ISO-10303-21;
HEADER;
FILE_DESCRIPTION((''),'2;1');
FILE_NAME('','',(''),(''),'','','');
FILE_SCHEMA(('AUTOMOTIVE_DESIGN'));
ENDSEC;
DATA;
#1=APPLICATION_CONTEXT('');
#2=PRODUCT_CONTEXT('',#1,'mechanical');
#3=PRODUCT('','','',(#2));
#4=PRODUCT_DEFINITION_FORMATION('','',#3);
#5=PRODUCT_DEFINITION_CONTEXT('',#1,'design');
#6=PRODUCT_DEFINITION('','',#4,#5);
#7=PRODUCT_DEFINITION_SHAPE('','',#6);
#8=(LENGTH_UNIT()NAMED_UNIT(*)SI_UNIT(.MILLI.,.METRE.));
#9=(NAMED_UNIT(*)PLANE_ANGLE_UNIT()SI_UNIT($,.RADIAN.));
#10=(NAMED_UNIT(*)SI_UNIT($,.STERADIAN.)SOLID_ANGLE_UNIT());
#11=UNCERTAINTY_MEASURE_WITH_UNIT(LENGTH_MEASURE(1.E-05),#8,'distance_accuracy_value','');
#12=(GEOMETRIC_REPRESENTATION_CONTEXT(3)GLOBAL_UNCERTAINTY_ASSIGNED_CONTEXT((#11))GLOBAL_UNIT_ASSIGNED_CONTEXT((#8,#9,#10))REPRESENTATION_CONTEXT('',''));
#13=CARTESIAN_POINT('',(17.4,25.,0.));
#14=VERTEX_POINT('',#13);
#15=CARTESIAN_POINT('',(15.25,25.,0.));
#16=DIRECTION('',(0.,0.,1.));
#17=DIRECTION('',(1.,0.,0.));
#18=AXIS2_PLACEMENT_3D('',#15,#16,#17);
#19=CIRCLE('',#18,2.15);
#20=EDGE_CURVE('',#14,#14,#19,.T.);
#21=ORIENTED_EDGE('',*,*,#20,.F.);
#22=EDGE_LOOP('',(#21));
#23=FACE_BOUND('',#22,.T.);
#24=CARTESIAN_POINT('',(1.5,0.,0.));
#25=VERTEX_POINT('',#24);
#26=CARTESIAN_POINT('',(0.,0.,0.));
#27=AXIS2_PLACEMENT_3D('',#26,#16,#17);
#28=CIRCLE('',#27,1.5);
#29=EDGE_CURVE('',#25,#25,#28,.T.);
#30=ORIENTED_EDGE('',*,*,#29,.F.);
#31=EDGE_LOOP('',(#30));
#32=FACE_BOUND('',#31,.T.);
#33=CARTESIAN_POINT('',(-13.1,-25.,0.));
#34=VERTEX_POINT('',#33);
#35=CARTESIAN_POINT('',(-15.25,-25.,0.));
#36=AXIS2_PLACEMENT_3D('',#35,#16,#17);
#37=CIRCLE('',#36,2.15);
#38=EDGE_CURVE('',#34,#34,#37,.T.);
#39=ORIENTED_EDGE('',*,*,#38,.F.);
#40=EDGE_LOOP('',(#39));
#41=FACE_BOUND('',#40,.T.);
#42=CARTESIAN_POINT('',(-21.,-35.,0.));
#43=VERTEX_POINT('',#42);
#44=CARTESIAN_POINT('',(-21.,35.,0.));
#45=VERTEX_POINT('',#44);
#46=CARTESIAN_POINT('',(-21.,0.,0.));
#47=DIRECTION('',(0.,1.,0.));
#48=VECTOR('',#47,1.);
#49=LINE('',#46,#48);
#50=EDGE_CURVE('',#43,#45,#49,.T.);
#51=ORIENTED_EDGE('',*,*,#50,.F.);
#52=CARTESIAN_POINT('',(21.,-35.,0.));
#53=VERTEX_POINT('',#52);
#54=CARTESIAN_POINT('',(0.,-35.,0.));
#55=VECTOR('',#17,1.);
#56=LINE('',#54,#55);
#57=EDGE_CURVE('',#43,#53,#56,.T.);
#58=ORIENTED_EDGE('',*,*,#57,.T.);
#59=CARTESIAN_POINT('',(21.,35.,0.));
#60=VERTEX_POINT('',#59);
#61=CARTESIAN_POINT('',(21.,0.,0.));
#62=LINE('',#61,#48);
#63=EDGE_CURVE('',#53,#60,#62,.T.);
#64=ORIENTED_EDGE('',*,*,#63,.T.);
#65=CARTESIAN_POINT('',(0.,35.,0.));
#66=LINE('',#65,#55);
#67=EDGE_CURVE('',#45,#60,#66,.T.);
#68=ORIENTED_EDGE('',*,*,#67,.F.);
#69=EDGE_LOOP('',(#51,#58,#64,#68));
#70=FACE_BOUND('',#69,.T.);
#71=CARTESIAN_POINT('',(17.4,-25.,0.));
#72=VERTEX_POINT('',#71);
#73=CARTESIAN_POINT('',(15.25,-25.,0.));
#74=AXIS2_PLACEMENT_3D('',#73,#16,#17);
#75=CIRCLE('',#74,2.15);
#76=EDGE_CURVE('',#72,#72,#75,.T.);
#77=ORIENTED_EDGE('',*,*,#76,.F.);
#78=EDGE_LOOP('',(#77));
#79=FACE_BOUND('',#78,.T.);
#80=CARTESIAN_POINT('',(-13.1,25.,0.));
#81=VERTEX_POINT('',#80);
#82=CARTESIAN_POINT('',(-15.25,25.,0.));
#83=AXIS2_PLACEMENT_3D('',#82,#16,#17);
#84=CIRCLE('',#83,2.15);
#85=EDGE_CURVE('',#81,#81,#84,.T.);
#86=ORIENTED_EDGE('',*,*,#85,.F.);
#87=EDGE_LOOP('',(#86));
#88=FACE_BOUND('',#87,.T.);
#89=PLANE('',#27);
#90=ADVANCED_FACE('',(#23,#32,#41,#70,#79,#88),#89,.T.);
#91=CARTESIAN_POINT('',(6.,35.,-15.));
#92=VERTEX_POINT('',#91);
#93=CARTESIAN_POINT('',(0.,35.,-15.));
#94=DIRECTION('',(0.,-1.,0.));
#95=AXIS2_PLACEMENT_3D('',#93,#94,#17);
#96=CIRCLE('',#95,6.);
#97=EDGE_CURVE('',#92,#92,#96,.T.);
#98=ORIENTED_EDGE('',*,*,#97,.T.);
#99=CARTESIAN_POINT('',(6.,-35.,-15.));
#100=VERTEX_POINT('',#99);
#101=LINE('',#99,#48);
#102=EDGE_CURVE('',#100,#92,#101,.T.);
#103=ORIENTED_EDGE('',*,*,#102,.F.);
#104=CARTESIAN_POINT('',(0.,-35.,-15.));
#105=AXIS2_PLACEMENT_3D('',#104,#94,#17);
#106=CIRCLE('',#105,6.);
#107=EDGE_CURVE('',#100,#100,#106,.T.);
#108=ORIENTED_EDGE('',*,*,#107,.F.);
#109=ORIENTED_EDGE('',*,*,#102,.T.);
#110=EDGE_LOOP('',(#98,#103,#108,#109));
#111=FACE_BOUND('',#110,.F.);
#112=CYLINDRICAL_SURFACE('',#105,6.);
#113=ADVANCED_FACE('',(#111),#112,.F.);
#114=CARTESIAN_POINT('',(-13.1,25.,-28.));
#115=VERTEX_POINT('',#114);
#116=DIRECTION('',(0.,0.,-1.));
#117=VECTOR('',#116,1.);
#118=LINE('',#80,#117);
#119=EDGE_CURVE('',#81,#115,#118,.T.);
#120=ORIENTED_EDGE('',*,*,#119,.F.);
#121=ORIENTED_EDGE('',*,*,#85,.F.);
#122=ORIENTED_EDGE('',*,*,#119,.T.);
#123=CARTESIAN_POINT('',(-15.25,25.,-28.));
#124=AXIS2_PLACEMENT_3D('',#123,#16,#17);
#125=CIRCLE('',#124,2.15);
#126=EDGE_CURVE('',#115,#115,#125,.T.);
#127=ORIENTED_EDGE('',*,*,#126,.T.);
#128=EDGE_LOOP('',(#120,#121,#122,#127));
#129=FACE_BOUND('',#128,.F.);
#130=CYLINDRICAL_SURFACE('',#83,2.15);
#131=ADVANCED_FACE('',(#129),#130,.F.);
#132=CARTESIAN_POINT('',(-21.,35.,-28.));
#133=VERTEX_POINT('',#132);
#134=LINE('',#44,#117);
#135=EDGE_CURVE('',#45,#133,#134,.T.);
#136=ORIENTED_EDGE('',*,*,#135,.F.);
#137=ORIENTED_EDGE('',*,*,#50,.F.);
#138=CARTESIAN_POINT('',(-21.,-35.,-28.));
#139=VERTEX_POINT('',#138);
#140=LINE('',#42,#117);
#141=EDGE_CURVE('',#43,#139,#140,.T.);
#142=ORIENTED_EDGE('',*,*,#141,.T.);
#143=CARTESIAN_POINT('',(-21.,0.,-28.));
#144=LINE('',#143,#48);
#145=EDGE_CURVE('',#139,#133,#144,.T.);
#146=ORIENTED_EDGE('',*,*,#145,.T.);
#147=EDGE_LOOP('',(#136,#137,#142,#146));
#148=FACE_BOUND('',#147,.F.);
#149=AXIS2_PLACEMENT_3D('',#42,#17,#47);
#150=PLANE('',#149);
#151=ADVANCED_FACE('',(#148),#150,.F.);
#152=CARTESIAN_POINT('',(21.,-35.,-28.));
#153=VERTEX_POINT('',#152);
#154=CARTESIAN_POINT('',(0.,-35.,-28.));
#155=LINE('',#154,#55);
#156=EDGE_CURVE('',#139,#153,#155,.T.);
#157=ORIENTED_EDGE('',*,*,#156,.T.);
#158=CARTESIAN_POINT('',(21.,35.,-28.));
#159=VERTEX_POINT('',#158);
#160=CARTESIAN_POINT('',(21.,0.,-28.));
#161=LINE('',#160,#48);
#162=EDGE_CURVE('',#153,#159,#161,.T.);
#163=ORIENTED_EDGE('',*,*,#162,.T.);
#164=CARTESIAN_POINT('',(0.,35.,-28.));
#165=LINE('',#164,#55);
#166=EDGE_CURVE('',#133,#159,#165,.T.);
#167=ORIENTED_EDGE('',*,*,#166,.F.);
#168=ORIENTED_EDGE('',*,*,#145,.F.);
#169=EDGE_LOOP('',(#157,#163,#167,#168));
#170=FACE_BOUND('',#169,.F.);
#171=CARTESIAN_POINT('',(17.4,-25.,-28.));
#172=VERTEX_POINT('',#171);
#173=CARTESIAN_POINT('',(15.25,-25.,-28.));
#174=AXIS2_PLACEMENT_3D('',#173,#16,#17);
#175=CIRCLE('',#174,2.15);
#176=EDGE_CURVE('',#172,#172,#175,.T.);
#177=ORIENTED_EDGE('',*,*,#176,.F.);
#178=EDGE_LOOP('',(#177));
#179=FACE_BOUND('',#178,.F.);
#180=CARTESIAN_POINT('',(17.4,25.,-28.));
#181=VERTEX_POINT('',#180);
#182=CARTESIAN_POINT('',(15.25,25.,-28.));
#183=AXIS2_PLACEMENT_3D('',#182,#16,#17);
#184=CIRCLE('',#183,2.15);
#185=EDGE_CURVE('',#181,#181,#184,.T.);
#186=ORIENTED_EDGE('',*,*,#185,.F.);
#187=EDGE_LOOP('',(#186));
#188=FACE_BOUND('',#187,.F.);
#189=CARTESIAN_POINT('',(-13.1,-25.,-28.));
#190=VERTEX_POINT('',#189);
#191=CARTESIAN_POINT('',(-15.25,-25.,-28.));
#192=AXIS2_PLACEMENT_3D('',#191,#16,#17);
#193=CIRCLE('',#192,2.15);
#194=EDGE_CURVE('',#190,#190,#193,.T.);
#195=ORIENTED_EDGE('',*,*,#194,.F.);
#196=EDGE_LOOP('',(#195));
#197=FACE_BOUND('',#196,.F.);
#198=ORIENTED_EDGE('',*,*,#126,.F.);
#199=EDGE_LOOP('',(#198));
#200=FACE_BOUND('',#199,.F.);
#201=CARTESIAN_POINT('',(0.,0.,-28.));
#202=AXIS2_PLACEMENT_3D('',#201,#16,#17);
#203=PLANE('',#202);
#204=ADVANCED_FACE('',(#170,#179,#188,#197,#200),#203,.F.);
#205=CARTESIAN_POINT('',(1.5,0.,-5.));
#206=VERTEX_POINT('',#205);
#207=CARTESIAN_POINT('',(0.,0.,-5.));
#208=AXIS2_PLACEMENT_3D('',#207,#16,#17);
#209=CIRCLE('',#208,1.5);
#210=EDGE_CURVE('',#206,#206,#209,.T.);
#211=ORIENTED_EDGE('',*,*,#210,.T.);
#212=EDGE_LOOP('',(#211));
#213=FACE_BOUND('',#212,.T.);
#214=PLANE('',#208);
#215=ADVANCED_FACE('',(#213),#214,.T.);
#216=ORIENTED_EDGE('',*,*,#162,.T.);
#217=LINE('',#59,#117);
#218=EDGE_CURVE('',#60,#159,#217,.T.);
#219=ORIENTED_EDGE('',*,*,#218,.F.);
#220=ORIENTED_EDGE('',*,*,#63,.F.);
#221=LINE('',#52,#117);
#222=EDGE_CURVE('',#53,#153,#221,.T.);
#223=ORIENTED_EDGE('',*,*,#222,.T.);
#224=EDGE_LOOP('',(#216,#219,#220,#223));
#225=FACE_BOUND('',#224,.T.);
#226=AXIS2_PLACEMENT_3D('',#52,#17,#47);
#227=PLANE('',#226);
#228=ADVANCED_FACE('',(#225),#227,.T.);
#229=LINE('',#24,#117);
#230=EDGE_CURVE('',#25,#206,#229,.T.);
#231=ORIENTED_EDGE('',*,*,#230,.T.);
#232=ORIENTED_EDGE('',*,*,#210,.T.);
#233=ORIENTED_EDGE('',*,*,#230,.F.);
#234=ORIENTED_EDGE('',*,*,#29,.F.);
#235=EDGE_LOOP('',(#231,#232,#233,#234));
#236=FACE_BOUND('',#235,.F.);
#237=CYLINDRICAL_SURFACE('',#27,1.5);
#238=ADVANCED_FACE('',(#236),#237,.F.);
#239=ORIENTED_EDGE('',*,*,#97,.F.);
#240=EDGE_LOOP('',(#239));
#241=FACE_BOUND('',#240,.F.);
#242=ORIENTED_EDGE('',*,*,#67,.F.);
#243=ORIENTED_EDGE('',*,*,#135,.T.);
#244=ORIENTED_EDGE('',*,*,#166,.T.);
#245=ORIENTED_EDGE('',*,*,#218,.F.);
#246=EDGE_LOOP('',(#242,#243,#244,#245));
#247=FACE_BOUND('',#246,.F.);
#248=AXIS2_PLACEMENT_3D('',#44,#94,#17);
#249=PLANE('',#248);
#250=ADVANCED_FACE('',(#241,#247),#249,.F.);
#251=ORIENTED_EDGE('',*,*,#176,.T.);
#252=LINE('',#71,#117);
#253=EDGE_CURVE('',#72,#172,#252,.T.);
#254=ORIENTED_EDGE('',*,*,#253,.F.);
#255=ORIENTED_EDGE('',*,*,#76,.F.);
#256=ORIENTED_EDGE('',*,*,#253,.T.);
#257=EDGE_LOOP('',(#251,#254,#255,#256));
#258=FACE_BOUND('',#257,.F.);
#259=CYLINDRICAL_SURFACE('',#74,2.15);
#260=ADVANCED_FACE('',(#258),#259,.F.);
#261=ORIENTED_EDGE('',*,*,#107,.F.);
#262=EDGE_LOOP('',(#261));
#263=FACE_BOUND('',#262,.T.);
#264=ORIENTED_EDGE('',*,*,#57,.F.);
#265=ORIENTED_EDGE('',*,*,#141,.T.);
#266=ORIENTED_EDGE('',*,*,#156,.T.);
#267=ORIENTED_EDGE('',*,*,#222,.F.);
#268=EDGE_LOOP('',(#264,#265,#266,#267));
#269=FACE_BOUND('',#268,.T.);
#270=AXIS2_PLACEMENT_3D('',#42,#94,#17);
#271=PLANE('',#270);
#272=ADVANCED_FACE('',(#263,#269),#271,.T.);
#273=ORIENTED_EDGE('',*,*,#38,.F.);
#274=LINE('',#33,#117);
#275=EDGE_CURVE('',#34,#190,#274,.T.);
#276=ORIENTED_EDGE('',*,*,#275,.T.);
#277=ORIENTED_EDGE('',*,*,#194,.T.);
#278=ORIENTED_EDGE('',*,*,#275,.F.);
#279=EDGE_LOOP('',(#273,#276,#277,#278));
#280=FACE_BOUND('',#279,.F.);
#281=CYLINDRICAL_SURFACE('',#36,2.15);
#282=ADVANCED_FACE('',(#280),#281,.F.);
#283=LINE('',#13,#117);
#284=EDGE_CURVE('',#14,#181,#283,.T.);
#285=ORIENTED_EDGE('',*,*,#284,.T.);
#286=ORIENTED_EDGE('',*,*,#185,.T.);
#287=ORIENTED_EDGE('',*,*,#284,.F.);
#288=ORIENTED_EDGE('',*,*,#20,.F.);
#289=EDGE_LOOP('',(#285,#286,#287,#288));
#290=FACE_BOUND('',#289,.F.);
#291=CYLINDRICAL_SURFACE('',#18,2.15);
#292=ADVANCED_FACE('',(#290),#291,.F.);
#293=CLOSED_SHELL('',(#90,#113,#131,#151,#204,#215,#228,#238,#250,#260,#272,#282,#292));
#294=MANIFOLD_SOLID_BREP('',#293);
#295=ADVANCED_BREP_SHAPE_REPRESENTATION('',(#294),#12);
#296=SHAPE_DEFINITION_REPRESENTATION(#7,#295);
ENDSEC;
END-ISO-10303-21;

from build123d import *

# Parameters (mm, degrees)
F0_W     = 42
F0_H     = 70
F0_R     = 2.15
F1_DEPTH = 28
F2_R     = 6
F3_DEPTH = 70
F4_R     = 1.5
F5_DEPTH = 5


with BuildPart() as f1:
    # F0 (on Top) → F1 (new body)
    with BuildSketch(Plane.XY):
        Rectangle(F0_W, F0_H)
        with Locations((-15.25, -25)):
            Circle(F0_R, mode=Mode.SUBTRACT)
        with Locations((15.25, -25)):
            Circle(F0_R, mode=Mode.SUBTRACT)
        with Locations((-15.25, 25)):
            Circle(F0_R, mode=Mode.SUBTRACT)
        with Locations((15.25, 25)):
            Circle(F0_R, mode=Mode.SUBTRACT)
    extrude(amount=-F1_DEPTH)

    # F2 (on face) → F3 (cut)
    with BuildSketch(Plane.XZ.offset(35)):
        with Locations((0, -15)):
            Circle(F2_R)
    extrude(amount=-F3_DEPTH, mode=Mode.SUBTRACT)

    # F4 (on face) → F5 (cut)
    with BuildSketch(Plane.XY):
        Circle(F4_R)
    extrude(amount=-F5_DEPTH, mode=Mode.SUBTRACT)


solid = f1.part
